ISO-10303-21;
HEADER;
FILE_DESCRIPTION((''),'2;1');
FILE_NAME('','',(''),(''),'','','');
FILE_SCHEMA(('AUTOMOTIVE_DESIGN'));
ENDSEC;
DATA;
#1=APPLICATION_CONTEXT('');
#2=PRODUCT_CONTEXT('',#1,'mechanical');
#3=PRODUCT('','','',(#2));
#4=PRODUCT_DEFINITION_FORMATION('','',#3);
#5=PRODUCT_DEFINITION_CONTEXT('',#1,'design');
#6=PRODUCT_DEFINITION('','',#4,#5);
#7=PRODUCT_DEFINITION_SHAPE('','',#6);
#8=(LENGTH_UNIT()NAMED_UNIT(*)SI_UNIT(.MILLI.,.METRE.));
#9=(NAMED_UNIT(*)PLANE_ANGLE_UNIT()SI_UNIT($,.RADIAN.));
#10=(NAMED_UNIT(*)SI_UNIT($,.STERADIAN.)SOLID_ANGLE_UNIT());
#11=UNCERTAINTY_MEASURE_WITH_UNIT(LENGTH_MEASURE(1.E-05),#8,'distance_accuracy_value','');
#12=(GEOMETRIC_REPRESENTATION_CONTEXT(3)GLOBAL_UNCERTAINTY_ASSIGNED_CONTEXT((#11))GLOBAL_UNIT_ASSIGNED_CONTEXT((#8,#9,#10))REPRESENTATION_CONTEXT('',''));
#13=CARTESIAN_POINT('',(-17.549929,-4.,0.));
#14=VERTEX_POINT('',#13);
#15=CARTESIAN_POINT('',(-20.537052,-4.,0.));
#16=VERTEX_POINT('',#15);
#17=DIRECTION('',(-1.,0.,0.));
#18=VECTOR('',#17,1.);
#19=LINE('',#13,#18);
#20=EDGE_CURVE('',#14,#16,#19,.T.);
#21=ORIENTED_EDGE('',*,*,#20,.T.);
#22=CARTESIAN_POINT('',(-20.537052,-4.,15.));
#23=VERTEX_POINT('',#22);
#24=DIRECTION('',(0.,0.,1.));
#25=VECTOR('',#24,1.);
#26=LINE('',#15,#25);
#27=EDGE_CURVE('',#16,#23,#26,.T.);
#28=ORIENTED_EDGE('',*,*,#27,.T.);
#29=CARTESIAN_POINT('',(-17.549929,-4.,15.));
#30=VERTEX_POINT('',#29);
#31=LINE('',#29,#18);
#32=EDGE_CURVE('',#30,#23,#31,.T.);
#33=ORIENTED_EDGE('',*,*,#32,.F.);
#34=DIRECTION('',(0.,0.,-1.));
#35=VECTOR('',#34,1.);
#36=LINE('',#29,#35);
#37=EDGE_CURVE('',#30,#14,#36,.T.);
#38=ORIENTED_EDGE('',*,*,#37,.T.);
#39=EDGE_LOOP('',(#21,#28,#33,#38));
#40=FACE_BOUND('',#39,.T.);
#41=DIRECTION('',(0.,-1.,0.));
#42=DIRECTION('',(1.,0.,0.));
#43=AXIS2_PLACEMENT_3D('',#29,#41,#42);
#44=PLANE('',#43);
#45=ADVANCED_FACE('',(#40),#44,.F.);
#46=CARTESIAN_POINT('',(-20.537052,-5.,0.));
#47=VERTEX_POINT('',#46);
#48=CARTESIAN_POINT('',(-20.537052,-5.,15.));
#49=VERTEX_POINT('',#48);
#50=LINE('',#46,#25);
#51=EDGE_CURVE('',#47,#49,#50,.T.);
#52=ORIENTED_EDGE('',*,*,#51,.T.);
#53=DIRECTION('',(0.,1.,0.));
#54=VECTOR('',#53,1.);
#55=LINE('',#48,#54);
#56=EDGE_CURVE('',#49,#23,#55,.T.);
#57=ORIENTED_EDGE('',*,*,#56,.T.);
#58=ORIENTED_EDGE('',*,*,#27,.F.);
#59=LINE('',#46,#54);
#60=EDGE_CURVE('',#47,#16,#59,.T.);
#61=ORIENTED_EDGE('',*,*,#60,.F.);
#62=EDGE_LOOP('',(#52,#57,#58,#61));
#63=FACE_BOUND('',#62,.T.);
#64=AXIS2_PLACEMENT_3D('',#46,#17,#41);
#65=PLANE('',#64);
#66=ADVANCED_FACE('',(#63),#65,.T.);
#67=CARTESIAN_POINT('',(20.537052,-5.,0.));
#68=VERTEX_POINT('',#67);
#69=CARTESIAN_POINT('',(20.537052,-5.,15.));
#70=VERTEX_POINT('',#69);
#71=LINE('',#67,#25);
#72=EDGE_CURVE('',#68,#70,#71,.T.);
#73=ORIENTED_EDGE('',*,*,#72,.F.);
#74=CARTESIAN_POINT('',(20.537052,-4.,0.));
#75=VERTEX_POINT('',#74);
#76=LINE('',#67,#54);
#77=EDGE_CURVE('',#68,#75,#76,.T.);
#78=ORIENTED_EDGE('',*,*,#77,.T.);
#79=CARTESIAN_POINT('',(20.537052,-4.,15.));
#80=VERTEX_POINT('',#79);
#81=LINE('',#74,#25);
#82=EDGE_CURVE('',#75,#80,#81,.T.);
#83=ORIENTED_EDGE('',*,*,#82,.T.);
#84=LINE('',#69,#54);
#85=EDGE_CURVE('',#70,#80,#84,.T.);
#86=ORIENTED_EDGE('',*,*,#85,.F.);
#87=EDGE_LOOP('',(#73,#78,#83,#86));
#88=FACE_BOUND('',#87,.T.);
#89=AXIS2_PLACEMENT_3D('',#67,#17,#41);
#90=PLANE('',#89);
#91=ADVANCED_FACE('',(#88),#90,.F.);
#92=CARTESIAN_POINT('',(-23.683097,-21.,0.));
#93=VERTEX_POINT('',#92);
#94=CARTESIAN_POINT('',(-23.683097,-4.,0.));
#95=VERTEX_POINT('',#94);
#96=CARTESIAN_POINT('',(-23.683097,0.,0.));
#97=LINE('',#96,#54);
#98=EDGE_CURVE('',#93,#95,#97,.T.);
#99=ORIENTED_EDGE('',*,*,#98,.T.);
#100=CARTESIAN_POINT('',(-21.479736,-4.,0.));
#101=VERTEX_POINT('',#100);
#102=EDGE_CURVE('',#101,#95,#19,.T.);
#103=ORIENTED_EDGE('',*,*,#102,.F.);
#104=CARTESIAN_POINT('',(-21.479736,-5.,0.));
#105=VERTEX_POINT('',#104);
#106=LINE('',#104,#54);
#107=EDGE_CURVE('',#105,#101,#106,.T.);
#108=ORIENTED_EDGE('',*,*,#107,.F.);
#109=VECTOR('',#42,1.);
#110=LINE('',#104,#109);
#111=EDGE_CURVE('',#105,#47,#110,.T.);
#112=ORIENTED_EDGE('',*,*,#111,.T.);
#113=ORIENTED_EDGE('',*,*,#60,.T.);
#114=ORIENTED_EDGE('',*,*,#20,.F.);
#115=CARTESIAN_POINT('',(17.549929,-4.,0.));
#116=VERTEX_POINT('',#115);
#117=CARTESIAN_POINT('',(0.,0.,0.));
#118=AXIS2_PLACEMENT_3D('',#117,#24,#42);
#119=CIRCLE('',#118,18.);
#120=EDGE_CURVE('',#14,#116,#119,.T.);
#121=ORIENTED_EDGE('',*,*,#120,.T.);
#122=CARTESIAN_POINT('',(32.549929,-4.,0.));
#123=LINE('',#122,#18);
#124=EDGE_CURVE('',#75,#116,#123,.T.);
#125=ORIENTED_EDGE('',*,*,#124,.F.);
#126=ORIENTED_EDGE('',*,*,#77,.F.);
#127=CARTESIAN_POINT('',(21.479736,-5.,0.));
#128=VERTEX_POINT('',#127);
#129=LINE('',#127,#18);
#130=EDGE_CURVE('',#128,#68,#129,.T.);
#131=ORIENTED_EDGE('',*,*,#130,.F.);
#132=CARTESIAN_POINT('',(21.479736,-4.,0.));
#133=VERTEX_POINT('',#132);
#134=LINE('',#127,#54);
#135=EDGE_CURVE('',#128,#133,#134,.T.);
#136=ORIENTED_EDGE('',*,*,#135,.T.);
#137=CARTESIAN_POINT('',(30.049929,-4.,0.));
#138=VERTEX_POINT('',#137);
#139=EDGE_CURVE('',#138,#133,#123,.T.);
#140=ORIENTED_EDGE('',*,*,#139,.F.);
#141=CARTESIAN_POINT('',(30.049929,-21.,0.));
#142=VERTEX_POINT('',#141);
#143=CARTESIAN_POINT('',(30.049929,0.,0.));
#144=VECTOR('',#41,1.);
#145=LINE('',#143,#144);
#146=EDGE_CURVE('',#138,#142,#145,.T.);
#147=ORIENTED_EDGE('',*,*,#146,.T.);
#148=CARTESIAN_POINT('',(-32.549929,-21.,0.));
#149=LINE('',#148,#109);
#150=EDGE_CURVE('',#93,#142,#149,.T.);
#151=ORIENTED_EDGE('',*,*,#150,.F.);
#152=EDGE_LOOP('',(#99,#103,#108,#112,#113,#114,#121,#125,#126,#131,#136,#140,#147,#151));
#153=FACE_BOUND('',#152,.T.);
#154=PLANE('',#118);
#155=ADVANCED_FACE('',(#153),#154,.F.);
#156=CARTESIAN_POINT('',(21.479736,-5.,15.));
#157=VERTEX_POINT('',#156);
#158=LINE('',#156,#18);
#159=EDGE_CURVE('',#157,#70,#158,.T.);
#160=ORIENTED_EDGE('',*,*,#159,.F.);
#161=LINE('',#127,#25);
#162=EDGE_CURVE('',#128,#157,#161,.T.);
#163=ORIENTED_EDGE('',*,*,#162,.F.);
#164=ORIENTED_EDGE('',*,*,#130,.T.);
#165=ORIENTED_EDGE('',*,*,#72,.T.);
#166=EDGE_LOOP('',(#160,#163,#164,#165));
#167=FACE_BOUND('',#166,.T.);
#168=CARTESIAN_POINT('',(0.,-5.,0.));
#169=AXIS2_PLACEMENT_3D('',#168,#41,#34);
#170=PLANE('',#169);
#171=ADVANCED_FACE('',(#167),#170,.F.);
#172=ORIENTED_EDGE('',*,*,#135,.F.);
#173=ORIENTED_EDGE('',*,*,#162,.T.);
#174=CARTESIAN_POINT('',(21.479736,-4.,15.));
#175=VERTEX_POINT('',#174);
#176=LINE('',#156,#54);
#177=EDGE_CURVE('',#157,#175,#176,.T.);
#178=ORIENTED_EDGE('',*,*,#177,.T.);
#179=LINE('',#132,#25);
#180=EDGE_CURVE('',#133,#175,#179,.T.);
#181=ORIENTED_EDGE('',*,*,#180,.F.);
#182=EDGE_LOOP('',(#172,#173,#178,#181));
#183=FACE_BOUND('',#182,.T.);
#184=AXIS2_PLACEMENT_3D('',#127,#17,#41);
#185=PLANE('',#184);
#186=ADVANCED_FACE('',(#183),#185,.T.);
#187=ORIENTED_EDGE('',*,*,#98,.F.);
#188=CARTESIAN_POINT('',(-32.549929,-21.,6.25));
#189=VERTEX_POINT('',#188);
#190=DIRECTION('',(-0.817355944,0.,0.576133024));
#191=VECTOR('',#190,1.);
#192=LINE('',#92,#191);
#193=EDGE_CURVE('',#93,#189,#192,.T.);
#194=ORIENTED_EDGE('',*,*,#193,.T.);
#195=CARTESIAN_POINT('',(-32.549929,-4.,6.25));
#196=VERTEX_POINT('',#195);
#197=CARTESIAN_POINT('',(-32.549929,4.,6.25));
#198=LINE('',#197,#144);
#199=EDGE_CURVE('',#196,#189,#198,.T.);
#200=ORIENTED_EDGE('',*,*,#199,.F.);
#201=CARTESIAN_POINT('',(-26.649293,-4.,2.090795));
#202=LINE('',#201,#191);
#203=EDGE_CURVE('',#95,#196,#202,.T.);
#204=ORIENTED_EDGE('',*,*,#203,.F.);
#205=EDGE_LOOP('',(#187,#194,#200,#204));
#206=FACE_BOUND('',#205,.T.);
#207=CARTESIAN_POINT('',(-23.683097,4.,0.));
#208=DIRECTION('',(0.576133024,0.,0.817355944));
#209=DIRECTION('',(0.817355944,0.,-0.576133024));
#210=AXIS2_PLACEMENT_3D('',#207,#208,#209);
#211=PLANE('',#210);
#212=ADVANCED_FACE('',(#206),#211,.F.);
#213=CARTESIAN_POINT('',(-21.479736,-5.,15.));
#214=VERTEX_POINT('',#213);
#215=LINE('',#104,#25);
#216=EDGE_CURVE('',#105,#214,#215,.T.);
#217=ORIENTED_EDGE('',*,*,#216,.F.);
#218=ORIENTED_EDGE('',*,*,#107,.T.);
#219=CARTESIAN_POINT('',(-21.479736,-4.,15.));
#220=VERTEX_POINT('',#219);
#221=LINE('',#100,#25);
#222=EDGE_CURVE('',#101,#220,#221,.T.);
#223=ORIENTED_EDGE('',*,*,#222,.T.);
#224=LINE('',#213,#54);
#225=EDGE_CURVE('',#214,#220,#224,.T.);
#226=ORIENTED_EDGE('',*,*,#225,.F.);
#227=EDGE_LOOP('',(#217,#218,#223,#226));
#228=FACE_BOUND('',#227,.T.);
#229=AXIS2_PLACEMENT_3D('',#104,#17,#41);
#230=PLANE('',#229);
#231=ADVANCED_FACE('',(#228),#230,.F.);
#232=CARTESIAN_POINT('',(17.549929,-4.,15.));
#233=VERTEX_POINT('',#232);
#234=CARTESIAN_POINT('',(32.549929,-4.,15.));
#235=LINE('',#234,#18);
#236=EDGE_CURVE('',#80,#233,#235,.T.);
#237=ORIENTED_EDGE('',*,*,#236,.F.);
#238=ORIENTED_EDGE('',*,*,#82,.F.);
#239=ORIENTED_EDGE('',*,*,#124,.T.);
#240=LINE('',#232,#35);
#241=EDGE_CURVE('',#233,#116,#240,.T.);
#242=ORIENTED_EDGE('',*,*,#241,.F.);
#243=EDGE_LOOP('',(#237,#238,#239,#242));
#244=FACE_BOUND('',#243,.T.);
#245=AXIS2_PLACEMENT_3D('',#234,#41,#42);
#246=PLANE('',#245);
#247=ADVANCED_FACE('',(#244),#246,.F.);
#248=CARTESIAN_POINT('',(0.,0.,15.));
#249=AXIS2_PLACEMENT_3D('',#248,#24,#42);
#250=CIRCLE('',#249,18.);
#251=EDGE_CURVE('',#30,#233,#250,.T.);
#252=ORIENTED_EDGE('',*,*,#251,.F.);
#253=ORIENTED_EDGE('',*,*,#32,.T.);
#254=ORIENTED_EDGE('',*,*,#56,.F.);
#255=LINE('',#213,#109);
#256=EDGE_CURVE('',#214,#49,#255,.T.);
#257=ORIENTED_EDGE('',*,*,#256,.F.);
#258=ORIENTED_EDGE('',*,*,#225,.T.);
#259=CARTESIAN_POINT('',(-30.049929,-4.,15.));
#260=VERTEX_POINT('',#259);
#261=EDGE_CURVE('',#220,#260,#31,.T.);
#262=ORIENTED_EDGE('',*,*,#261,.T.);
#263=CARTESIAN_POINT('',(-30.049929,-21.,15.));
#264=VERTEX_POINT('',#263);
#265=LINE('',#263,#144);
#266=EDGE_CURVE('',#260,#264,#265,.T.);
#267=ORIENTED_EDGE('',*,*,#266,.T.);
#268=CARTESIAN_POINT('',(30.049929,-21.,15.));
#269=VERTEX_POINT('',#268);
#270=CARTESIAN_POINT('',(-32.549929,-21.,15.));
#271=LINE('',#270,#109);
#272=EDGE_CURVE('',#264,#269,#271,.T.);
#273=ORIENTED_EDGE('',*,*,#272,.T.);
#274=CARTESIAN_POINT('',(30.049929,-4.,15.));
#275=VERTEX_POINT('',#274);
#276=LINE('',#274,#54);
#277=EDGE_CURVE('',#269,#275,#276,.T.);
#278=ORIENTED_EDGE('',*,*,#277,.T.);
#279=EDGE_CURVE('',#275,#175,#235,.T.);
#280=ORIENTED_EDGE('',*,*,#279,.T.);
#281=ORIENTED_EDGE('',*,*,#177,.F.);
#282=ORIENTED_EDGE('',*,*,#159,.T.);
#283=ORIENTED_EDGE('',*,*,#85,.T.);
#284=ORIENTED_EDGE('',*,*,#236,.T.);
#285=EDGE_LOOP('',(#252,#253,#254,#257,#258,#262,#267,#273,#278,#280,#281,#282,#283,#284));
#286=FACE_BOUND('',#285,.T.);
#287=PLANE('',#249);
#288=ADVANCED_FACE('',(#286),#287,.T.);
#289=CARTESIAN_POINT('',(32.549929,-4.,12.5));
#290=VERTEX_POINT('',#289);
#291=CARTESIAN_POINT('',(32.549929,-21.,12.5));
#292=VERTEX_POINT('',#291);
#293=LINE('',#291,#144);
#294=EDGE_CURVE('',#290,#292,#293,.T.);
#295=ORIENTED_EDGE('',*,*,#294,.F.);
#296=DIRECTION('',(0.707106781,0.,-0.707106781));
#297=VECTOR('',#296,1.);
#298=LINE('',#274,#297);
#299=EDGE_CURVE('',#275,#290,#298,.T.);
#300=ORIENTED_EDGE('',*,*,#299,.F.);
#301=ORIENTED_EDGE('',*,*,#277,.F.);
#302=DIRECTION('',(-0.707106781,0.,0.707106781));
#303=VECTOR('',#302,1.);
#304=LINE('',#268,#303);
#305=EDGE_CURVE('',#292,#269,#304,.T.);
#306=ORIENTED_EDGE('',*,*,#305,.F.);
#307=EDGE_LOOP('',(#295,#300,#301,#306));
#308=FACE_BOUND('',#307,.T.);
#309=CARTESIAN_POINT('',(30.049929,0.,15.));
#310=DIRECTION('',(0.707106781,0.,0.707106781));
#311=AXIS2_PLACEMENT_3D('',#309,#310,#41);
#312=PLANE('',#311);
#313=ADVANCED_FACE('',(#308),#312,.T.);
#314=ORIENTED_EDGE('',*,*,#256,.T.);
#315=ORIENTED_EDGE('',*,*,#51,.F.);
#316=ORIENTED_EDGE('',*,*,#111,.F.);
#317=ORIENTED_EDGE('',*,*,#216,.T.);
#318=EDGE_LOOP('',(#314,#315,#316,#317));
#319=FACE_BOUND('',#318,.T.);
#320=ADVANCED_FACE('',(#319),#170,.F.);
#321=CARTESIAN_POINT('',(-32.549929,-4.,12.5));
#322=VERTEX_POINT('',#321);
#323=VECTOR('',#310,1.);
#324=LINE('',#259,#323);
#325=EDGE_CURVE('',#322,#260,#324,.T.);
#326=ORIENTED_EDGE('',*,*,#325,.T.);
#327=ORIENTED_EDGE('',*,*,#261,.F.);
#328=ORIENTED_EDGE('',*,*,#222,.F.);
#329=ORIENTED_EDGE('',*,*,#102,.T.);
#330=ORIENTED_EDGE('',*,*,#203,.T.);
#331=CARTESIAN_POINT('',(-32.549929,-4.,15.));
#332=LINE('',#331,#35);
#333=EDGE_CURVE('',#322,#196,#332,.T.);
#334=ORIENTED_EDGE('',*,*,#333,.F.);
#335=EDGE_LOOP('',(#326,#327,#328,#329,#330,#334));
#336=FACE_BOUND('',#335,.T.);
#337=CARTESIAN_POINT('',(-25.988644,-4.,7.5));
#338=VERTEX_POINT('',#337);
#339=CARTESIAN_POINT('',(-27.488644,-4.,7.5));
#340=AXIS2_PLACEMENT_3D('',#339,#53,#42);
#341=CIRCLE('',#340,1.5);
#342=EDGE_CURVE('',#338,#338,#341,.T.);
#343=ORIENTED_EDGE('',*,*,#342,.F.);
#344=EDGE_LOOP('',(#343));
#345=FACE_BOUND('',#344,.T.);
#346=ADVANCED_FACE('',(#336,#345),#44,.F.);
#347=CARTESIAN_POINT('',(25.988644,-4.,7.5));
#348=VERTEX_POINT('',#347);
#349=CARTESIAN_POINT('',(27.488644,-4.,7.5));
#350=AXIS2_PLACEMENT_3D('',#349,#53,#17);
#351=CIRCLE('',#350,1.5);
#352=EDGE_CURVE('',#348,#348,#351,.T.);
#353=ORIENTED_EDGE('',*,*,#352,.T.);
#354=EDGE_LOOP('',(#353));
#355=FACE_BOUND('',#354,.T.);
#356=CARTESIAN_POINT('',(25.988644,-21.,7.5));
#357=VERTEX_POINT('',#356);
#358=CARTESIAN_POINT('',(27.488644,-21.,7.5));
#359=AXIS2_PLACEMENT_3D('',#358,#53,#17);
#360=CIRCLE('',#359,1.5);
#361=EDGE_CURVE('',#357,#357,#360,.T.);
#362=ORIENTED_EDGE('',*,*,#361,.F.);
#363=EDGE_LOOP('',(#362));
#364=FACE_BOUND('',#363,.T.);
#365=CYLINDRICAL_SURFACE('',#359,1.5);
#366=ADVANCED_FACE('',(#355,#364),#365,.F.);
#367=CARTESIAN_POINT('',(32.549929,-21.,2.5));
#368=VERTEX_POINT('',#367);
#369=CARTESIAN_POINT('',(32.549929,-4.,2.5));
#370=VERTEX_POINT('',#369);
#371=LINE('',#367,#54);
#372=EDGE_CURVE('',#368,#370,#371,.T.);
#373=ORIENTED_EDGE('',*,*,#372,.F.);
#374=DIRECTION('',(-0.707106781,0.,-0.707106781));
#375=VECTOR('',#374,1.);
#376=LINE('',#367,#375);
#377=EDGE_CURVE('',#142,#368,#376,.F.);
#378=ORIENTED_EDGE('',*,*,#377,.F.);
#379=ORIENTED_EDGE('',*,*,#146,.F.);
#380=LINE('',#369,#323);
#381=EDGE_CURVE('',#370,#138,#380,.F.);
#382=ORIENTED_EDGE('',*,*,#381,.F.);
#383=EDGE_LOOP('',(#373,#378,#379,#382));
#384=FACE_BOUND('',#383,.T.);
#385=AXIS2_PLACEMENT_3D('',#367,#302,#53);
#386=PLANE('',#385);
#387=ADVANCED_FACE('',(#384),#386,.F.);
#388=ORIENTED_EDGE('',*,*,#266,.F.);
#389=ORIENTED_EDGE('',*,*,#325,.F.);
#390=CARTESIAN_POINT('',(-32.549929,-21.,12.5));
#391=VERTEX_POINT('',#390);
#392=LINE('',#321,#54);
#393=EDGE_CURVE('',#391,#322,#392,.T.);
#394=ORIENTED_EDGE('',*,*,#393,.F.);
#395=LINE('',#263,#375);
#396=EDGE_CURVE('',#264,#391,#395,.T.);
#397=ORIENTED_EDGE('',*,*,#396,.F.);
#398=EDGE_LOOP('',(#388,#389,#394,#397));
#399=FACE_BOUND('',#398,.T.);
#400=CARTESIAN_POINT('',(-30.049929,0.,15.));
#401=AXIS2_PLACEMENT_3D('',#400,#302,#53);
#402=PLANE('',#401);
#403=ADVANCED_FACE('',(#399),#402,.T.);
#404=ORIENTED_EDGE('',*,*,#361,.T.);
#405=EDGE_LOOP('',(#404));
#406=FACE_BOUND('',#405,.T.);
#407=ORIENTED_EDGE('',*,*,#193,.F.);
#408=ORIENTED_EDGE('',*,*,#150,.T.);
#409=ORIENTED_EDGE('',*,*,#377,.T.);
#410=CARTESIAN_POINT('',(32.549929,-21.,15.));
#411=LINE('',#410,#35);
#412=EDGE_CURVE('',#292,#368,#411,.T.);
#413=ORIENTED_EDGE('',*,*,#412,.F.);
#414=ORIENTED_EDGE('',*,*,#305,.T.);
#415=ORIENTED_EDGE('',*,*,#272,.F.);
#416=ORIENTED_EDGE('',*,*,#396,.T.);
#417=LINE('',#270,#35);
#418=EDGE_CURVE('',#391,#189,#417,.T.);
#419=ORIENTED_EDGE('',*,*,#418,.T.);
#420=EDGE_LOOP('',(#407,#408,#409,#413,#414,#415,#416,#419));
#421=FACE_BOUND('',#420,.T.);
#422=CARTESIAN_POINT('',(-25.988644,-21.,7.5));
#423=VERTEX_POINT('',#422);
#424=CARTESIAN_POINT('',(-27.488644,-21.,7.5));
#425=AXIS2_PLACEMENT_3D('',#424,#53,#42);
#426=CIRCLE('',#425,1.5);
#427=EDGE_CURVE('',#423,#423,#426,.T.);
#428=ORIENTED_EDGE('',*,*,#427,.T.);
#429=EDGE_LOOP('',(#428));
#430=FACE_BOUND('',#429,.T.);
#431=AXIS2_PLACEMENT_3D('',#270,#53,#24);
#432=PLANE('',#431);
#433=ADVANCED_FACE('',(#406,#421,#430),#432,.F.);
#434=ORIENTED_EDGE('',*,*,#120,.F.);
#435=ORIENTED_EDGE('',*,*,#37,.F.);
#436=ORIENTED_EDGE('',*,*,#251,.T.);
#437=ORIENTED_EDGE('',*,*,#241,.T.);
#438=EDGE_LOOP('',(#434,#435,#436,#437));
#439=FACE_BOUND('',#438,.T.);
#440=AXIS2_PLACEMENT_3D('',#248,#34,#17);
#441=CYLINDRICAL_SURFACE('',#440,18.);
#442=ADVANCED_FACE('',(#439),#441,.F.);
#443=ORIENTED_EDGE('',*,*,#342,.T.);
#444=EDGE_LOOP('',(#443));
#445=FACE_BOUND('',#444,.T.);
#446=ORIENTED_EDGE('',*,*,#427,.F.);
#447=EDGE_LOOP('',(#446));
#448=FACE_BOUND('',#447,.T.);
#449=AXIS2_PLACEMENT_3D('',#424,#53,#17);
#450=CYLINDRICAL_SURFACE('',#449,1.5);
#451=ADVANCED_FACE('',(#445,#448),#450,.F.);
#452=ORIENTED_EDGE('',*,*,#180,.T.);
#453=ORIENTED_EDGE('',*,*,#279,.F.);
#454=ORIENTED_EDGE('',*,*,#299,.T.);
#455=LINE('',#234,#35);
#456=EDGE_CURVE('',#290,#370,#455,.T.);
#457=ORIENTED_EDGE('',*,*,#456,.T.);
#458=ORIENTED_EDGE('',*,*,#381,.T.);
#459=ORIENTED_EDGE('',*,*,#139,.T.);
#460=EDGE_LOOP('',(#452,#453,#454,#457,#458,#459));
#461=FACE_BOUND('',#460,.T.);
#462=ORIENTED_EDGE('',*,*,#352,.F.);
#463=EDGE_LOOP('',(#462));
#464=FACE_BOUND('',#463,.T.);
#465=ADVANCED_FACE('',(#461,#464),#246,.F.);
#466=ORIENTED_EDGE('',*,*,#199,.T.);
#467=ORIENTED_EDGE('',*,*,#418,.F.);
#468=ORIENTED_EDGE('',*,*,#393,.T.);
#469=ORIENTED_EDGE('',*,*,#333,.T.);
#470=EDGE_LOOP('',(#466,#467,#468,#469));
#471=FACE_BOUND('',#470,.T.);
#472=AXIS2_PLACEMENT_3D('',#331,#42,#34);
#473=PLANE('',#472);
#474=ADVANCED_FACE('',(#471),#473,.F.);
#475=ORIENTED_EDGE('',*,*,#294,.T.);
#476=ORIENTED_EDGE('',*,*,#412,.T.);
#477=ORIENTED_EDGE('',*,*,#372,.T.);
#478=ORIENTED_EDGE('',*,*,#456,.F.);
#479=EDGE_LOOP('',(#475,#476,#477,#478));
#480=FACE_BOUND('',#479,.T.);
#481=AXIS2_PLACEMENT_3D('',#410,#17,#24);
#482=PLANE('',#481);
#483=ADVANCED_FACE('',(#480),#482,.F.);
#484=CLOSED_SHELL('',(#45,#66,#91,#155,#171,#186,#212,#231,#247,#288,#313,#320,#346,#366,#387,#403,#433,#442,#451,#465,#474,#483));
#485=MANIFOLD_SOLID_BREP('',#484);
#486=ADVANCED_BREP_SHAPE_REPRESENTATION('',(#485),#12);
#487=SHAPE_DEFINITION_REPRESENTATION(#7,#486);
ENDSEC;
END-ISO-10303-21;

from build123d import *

# Parameters (mm, degrees)
BOSS_EXTRUDE1_DEPTH = 15
CHAMFER1_SIZE       = 2.5
SKETCH2_R           = 1.5
CUT_EXTRUDE1_DEPTH  = 40.667340007
SKETCH3_W           = 0.942684348
SKETCH3_H           = 15
CUT_EXTRUDE2_DEPTH  = 1
CUT_EXTRUDE3_DEPTH  = 25


with BuildPart() as part:
    # Sketch1 → Boss-Extrude1 (new body)
    with BuildSketch(Plane.XY):
        with BuildLine():
            Line((-17.549928775, -4), (-32.549928775, -4))
            Line((-32.549928775, -4), (-32.549928775, -21))
            Line((-32.549928775, -21), (32.549928775, -21))
            Line((32.549928775, -21), (32.549928775, -4))
            Line((32.549928775, -4), (17.549928775, -4))
            ThreePointArc((17.549928775, -4), (0, -18), (-17.549928775, -4))
        make_face()
    extrude(amount=BOSS_EXTRUDE1_DEPTH)

    # Chamfer1
    chamfer1_edges = [part.edges().sort_by_distance(p)[0] for p in [
        (-32.549928775, -12.5, 15),
        (32.549928775, -12.5, 15),
        (32.549928775, -12.5, 0),
    ]]
    chamfer(chamfer1_edges, length=CHAMFER1_SIZE)

    # Sketch2 → Cut-Extrude1 (cut, through all)
    with BuildSketch(Plane(origin=(0, -4, 0), x_dir=(1, 0, 0), z_dir=(0, 1, 0))):
        with Locations(Location((27.488644481, -7.5, 0), (0, 0, 180))):
            Circle(SKETCH2_R)
        with Locations((-27.488644481, -7.5)):
            Circle(SKETCH2_R)
    extrude(amount=-CUT_EXTRUDE1_DEPTH, mode=Mode.SUBTRACT)

    # Sketch3 → Cut-Extrude2 (cut)
    with BuildSketch(Plane(origin=(0, -4, 0), x_dir=(1, 0, 0), z_dir=(0, 1, 0))):
        with Locations((-21.008394031, -7.5)):
            Rectangle(SKETCH3_W, SKETCH3_H)
    cut_extrude2 = extrude(amount=-CUT_EXTRUDE2_DEPTH, mode=Mode.SUBTRACT)

    # Mirror1: Cut-Extrude2 across plane
    add(cut_extrude2.mirror(Plane(origin=(0, 0, 0), x_dir=(0, 0, 1), z_dir=(1, 0, 0))), mode=Mode.SUBTRACT)

    # Sketch4 → Cut-Extrude3 (cut)
    with BuildSketch(Plane.XZ.offset(21)):
        Polygon((-23.68309692, 0), (-32.549928775, 6.25), (-32.549928775, 0), align=None)
    extrude(amount=-CUT_EXTRUDE3_DEPTH, mode=Mode.SUBTRACT)


solid = part.part
